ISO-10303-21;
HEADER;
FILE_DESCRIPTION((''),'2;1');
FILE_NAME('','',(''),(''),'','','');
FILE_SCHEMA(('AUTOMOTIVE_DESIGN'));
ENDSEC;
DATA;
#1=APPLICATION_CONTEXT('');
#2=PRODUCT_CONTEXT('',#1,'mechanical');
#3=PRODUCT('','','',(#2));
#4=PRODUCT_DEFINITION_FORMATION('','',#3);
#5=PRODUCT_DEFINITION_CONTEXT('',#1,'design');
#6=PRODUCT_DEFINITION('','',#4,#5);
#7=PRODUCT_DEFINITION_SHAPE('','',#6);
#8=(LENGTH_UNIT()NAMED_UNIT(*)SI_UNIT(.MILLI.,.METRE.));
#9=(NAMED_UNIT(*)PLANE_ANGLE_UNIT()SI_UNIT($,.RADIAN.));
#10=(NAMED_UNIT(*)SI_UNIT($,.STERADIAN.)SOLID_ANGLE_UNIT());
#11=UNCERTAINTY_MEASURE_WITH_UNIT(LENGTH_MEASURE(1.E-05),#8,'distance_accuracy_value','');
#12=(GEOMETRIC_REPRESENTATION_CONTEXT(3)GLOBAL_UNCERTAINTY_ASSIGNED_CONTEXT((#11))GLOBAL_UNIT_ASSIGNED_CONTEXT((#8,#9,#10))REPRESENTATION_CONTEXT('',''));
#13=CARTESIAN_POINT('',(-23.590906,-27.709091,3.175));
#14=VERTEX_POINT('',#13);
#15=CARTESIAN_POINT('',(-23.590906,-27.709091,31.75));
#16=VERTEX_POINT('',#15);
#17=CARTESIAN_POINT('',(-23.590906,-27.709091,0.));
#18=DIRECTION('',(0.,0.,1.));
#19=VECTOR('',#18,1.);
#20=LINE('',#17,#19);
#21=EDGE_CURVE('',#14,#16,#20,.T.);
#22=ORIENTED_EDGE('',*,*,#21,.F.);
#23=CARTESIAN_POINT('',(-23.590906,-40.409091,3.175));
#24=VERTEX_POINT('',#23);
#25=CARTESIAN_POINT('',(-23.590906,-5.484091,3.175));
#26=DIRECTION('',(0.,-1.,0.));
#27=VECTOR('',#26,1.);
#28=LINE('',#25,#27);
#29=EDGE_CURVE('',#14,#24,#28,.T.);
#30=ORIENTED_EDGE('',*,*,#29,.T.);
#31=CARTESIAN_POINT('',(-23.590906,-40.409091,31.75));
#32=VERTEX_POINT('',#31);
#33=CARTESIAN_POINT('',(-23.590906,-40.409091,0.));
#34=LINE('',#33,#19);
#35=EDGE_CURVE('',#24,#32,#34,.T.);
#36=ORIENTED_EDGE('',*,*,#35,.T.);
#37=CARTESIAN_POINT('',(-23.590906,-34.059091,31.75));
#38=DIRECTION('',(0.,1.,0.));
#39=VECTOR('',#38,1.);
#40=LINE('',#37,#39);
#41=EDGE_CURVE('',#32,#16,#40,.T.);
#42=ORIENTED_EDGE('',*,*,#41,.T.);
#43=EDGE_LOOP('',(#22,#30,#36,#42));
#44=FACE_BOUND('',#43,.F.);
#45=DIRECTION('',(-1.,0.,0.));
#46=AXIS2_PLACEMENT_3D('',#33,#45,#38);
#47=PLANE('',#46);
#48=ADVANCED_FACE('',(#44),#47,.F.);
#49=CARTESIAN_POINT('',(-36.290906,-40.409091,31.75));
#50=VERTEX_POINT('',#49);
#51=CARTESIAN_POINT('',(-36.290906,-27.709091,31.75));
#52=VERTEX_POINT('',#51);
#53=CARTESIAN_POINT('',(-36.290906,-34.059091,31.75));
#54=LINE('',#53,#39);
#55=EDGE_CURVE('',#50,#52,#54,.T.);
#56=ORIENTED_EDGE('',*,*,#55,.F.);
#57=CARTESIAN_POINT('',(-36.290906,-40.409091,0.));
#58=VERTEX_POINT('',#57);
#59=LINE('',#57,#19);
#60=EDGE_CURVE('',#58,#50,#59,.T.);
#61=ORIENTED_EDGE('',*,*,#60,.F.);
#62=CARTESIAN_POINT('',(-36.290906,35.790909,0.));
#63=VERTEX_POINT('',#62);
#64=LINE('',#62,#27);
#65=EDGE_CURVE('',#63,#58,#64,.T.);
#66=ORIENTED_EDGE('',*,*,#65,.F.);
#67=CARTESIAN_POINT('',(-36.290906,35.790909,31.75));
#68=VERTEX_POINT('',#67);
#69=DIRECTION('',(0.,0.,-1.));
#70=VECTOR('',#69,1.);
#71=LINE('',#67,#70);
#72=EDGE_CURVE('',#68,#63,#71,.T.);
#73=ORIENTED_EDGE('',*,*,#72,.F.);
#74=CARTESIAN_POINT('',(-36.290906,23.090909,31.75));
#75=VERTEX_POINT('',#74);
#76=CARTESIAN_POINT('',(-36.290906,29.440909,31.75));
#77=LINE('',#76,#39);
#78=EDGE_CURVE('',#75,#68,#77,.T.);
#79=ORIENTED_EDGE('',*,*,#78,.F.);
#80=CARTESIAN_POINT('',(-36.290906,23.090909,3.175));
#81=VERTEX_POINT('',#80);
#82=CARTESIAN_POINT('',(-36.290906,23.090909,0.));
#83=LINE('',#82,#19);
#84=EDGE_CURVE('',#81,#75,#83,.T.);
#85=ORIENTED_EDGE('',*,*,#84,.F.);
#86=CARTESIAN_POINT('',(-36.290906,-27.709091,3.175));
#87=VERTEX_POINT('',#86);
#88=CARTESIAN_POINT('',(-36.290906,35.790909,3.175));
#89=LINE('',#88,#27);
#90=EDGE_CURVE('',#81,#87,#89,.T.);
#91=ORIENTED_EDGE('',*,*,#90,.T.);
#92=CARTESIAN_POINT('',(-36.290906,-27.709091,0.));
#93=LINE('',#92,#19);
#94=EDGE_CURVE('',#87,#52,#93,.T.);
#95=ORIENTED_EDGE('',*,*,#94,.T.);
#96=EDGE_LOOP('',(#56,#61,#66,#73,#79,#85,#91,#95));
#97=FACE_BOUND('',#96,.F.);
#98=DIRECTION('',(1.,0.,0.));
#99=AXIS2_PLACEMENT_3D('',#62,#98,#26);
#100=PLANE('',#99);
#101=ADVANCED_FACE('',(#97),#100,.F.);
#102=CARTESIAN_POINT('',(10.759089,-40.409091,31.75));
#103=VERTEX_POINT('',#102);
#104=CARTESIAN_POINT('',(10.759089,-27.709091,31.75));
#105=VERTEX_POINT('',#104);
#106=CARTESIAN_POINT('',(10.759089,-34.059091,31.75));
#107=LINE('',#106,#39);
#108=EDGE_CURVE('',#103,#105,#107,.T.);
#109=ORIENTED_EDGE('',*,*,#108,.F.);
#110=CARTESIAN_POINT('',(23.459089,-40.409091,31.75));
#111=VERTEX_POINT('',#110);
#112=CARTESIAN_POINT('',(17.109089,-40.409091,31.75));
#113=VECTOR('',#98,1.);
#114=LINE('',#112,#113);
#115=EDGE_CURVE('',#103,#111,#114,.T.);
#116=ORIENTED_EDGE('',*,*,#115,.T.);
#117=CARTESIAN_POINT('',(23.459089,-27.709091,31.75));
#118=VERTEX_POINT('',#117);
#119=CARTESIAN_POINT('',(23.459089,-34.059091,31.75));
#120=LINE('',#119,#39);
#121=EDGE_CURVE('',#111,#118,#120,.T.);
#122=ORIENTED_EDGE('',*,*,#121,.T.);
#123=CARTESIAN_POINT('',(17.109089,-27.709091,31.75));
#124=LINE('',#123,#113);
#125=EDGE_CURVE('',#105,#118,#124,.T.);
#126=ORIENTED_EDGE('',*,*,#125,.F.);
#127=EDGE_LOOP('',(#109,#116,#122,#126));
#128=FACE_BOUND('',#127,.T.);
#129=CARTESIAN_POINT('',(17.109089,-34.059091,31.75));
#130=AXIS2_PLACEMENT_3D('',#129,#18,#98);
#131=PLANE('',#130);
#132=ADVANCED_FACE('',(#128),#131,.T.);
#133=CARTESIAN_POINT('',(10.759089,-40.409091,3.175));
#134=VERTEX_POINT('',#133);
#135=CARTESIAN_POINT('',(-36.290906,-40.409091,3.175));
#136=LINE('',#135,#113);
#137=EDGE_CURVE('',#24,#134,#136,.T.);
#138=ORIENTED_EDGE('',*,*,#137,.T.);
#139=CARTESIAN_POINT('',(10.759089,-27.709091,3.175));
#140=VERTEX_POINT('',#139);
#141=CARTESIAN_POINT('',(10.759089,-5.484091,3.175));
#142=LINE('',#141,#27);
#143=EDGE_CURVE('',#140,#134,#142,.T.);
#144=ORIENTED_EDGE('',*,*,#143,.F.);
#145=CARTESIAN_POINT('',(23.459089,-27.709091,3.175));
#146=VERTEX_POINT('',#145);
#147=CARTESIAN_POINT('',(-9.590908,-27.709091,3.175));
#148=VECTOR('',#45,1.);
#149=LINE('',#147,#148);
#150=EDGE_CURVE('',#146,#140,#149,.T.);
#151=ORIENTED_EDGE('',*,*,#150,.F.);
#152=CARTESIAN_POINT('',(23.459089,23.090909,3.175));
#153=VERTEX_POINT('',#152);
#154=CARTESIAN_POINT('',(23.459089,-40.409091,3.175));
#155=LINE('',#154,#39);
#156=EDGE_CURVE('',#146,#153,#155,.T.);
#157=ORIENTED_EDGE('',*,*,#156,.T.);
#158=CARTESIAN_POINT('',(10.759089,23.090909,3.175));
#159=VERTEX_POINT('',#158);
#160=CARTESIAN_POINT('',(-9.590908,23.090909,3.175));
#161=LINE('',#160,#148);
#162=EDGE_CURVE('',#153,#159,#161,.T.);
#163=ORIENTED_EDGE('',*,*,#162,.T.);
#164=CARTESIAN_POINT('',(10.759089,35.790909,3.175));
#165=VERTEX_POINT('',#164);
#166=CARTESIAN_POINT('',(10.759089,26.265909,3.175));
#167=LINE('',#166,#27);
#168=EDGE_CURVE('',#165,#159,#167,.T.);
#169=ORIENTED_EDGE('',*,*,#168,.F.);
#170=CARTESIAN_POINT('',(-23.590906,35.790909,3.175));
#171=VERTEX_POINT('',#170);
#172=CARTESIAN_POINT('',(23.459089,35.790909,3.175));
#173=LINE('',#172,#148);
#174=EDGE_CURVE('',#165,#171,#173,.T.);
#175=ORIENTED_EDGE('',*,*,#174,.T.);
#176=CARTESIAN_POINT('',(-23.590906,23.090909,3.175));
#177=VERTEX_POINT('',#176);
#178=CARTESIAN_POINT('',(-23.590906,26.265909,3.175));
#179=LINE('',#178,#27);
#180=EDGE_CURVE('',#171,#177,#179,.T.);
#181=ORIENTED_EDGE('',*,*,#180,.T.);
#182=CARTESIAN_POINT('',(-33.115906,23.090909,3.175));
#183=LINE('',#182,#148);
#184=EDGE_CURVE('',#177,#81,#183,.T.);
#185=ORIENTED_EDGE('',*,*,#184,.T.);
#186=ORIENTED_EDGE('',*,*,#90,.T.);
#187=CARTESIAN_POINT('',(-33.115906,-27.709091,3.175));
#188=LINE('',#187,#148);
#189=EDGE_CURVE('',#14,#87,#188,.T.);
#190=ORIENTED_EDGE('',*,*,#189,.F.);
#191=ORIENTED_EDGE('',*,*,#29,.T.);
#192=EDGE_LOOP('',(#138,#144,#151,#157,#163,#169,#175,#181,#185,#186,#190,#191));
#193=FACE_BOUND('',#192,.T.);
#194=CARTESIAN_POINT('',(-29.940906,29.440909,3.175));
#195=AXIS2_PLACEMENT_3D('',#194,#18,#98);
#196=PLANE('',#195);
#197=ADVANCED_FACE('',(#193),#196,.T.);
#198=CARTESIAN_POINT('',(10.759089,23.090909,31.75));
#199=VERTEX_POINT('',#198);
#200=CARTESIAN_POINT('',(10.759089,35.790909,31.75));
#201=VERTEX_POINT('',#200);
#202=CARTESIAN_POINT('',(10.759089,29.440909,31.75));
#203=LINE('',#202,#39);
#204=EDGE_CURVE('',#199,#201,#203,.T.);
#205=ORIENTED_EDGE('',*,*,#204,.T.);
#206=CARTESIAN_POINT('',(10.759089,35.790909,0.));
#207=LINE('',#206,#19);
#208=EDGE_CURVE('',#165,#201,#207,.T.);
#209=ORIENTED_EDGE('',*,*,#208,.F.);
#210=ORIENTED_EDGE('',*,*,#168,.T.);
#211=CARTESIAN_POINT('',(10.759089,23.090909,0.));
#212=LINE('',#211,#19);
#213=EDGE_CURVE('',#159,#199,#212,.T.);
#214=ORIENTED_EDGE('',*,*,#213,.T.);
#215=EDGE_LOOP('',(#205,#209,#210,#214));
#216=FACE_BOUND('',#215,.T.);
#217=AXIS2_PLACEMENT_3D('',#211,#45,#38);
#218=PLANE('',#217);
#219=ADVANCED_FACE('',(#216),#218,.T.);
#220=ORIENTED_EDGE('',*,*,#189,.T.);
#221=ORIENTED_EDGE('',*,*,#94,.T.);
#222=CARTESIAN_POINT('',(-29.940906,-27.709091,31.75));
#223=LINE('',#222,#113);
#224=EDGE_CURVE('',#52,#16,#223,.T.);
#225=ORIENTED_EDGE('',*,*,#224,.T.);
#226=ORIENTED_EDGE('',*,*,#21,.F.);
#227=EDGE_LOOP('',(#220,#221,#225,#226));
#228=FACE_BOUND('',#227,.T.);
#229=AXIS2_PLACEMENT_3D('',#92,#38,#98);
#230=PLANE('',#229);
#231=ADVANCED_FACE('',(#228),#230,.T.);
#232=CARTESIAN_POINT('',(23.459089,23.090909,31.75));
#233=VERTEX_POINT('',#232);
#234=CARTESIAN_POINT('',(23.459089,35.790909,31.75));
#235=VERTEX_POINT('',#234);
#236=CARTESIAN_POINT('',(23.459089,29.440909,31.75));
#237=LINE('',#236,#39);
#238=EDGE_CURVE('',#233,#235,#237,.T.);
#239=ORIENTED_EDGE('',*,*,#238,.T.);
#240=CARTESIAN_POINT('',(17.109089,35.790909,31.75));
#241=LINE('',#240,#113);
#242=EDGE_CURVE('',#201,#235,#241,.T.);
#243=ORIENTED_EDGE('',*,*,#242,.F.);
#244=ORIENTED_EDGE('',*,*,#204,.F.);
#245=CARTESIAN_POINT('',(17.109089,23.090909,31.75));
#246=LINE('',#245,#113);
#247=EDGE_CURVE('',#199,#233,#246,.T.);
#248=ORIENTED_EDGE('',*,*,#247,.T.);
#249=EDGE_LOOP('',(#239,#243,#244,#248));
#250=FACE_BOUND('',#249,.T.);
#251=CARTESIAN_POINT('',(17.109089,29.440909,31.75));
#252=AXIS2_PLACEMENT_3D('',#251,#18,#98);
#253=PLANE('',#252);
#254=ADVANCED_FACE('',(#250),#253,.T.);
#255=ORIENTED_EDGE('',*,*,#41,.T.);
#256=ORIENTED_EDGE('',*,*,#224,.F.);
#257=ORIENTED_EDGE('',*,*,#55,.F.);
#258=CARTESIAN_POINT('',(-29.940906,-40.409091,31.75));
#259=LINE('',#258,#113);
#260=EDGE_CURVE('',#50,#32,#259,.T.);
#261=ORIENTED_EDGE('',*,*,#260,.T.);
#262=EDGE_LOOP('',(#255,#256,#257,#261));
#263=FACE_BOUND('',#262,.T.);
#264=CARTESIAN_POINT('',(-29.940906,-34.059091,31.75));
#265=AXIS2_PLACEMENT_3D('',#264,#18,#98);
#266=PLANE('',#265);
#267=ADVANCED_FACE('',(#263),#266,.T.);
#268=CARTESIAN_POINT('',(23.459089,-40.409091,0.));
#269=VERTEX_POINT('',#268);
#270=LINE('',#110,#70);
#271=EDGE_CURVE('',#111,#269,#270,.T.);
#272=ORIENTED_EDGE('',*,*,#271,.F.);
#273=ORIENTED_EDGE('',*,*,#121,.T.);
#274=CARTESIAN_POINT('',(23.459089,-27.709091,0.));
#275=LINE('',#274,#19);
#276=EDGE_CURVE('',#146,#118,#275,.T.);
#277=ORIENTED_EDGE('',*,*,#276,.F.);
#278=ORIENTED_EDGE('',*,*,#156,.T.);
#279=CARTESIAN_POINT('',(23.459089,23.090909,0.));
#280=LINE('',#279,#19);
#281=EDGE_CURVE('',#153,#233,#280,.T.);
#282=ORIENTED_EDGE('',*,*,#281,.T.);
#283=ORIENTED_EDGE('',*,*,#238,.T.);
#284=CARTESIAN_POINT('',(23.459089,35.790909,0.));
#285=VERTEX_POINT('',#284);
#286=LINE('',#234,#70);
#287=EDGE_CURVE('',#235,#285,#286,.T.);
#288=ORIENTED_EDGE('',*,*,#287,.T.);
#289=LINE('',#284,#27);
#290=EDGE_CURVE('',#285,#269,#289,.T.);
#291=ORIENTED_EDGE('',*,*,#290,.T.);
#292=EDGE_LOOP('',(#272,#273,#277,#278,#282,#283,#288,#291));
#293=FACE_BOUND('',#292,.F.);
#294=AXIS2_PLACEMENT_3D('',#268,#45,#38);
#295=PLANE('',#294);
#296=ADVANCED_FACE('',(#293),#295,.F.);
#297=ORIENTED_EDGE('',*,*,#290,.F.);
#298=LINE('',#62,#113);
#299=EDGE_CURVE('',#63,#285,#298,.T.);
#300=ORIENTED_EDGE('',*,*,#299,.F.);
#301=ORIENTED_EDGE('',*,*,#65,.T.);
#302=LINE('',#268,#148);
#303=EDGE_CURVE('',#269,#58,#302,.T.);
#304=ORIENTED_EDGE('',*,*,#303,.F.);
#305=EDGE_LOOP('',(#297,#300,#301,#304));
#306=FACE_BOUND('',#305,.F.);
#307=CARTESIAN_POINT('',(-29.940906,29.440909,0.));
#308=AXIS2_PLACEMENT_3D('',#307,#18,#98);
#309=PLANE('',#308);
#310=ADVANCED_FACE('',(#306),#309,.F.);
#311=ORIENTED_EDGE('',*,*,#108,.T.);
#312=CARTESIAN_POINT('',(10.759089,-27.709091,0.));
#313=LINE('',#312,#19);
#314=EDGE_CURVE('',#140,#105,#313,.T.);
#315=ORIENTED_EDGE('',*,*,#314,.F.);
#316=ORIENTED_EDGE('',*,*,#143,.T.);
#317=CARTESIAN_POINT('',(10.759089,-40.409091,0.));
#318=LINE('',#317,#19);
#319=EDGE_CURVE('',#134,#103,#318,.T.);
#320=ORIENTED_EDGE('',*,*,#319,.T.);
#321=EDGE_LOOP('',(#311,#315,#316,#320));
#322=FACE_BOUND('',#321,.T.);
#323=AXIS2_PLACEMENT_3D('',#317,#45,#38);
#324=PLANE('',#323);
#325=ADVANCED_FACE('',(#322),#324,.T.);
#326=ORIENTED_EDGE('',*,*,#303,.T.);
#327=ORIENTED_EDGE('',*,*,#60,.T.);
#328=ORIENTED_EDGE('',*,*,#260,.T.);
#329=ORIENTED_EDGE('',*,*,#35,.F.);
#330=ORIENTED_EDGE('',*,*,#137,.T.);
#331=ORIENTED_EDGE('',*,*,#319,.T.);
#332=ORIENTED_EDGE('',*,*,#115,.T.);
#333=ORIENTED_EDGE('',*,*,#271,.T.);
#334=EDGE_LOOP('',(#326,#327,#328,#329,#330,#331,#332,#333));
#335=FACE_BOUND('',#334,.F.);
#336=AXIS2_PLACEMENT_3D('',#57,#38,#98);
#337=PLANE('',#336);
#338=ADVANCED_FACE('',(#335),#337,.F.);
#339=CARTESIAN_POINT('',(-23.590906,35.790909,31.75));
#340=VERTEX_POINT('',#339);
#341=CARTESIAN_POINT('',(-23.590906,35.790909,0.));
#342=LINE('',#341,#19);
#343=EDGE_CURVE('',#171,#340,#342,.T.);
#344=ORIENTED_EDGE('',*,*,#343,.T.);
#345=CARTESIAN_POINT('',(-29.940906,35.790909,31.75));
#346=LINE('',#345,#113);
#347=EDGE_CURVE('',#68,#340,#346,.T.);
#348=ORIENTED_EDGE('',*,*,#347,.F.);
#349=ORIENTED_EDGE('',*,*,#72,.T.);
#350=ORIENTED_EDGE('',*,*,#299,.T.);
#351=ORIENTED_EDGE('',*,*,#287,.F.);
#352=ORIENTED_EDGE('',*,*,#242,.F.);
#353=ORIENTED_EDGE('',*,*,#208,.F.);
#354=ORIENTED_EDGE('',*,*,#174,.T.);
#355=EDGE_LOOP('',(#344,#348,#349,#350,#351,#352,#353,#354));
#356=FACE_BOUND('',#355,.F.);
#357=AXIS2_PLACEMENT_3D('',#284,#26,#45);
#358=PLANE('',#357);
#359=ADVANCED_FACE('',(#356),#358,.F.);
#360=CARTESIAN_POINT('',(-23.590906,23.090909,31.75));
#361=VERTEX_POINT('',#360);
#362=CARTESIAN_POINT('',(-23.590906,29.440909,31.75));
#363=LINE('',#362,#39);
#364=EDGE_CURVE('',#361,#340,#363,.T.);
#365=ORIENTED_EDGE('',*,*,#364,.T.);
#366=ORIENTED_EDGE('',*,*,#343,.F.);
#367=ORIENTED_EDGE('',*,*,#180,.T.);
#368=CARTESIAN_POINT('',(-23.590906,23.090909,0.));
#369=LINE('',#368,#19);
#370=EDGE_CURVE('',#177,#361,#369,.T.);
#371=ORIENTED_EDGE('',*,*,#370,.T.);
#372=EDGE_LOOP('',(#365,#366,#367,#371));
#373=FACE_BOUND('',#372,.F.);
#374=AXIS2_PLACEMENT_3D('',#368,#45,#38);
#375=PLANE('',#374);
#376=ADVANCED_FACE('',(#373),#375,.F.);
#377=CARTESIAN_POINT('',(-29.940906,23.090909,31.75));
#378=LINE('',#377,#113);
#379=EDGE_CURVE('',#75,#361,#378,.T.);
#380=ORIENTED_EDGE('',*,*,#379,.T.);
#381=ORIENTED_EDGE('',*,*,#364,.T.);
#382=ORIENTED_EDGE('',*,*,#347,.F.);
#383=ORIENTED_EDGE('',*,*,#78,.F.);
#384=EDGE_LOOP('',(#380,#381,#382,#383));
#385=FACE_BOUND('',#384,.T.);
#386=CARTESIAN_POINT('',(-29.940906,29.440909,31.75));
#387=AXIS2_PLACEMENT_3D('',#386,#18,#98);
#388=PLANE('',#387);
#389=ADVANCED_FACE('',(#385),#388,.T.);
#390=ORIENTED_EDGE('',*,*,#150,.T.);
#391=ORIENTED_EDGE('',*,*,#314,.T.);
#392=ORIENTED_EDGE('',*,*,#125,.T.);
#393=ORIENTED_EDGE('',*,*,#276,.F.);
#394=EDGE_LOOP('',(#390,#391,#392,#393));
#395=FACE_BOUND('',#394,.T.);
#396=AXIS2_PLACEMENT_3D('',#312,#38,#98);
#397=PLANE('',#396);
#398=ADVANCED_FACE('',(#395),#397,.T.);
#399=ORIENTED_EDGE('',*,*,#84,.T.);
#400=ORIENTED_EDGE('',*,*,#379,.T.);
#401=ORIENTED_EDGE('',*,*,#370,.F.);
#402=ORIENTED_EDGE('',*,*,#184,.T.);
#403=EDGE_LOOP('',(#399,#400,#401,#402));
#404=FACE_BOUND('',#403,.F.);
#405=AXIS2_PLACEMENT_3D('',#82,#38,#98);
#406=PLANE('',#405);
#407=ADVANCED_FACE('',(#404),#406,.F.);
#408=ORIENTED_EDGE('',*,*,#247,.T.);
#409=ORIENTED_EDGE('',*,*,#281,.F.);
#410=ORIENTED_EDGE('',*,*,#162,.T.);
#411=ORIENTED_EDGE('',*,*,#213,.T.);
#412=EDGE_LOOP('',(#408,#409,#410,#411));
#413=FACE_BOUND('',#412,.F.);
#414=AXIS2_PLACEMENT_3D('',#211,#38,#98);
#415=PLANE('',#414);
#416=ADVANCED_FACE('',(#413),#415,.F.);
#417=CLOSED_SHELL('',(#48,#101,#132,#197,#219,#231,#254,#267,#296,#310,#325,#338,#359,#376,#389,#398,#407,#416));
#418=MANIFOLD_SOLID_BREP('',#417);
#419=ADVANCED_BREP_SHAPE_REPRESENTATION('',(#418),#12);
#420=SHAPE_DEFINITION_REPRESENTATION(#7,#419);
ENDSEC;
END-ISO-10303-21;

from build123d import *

# Parameters (mm, degrees)
F0_W     = 12.7
F0_H     = 12.7
F1_DEPTH = 3.175
F2_DEPTH = 31.75


with BuildPart() as f1:
    # F0 (on Top) → F1 (new body)
    with BuildSketch(Plane.XY):
        with Locations((-29.940906, 29.440909)):
            Rectangle(F0_W, F0_H)
        Polygon((-36.290906, 23.090909), (-36.290906, -27.709091), (-23.590906, -27.709091), (-23.590906, -40.409091), (10.759089, -40.409091), (10.759089, -27.709091), (23.459089, -27.709091), (23.459089, 23.090909), (10.759089, 23.090909), (10.759089, 35.790909), (-23.590906, 35.790909), (-23.590906, 23.090909), align=None)
        with Locations((17.109089, 29.440909)):
            Rectangle(F0_W, F0_H)
        with Locations((17.109089, -34.059091)):
            Rectangle(F0_W, F0_H)
        with Locations((-29.940906, -34.059091)):
            Rectangle(F0_W, F0_H)
    extrude(amount=F1_DEPTH)

    # F0 (on Top) → F2 (join)
    with BuildSketch(Plane.XY):
        with Locations((-29.940906, 29.440909)):
            Rectangle(F0_W, F0_H)
        with Locations((17.109089, 29.440909)):
            Rectangle(F0_W, F0_H)
        with Locations((-29.940906, -34.059091)):
            Rectangle(F0_W, F0_H)
        with Locations((17.109089, -34.059091)):
            Rectangle(F0_W, F0_H)
    extrude(amount=F2_DEPTH)


solid = f1.part
